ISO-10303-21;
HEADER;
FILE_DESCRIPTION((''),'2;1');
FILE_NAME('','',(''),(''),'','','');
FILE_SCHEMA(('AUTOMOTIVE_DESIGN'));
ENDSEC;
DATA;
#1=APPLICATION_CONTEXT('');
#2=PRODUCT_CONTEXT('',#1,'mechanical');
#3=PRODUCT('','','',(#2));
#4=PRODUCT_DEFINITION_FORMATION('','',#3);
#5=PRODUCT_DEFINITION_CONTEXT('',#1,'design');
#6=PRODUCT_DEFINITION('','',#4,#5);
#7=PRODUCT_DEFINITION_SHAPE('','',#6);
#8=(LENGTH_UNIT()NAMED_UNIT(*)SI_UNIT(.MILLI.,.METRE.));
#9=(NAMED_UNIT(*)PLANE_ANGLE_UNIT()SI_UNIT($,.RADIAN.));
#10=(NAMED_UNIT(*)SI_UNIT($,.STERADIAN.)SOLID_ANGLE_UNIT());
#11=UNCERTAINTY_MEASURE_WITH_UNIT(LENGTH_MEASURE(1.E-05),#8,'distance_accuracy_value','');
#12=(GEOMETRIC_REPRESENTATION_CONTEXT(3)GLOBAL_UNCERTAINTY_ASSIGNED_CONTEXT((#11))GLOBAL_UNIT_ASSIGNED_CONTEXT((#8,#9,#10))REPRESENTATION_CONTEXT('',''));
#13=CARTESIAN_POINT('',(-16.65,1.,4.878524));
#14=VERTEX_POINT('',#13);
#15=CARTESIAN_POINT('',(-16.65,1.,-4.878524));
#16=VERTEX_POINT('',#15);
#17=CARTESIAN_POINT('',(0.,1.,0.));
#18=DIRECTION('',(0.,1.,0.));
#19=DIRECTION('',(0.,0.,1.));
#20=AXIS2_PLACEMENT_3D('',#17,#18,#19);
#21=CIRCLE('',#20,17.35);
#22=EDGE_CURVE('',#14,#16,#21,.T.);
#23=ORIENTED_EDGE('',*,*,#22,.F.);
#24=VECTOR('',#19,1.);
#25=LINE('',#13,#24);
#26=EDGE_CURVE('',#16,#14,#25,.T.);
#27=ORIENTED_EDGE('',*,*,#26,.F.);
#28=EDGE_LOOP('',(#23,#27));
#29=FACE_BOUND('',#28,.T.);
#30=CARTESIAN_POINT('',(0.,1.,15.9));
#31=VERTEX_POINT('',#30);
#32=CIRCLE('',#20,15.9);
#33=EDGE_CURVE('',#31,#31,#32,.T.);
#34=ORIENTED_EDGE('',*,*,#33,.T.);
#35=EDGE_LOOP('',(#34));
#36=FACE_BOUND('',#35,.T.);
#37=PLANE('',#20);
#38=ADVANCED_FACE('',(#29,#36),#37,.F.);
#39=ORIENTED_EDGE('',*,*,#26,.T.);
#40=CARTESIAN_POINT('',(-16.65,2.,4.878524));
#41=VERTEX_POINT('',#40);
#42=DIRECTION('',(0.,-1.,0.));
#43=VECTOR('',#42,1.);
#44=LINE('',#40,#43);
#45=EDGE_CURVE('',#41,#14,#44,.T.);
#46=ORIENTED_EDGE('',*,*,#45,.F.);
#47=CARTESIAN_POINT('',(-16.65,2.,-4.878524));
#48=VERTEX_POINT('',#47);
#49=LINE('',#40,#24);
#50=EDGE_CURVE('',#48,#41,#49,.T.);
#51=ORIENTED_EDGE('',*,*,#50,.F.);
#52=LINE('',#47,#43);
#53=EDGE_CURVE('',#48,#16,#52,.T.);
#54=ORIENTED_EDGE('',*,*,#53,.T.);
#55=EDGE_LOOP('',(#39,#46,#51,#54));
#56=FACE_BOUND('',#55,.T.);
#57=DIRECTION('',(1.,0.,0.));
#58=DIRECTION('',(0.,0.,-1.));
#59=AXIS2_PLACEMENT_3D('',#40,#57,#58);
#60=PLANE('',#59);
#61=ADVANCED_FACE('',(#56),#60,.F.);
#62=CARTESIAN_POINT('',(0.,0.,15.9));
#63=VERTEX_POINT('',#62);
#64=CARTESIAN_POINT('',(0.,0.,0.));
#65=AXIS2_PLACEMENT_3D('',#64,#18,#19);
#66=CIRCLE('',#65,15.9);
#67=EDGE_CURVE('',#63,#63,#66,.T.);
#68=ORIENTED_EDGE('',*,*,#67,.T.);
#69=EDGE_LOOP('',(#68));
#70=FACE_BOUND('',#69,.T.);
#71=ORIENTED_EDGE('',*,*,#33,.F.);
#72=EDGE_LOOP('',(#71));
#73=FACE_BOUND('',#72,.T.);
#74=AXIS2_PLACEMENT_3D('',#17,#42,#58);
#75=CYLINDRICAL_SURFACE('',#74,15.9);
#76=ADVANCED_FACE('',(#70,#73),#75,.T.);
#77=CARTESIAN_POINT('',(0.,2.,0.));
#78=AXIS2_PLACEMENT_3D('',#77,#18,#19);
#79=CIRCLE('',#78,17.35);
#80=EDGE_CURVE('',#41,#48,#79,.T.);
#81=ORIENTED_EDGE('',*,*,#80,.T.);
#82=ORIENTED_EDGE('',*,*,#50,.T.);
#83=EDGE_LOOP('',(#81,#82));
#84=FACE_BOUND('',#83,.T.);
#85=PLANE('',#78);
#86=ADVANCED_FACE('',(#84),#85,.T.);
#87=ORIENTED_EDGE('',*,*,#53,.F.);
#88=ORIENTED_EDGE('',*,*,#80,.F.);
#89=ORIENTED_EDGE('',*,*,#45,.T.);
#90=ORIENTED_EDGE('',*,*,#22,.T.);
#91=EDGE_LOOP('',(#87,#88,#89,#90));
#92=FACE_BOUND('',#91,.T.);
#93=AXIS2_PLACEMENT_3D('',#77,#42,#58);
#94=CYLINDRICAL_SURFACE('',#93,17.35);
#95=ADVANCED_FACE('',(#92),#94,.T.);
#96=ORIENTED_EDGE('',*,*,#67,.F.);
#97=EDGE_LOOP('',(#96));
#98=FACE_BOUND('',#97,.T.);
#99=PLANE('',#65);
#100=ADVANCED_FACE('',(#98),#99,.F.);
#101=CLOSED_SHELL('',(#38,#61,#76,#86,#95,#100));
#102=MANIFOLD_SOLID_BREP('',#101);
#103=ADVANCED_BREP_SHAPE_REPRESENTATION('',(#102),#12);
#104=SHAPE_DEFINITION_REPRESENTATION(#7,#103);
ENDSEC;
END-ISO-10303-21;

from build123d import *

# Parameters (mm, degrees)
SKETCH_1_R          = 15.9
EXTRUDE_1_DEPTH     = 1
SKETCH_2_R          = 17.35
EXTRUDE_2_DEPTH     = 1
CUT_EXTRUDE_1_DEPTH = 1


with BuildPart() as part:
    # 草图1 → 凸台-拉伸1 (new body)
    with BuildSketch(Plane(origin=(0, 0, 0), x_dir=(1, 0, 0), z_dir=(0, 1, 0))):
        Circle(SKETCH_1_R)
    extrude(amount=EXTRUDE_1_DEPTH)

    # 草图2 → 凸台-拉伸2 (add)
    with BuildSketch(Plane(origin=(0, 1, 0), x_dir=(1, 0, 0), z_dir=(0, 1, 0))):
        Circle(SKETCH_2_R)
    extrude(amount=EXTRUDE_2_DEPTH)

    # 草图3 → 切除-拉伸1 (cut)
    with BuildSketch(Plane.XZ.offset(-1)):
        with BuildLine():
            Line((-16.65, 4.878524367), (-16.65, -4.878524367))
            ThreePointArc((-16.65, -4.878524367), (-17.35, 0), (-16.65, 4.878524367))
        make_face()
    extrude(amount=-CUT_EXTRUDE_1_DEPTH, mode=Mode.SUBTRACT)


solid = part.part
